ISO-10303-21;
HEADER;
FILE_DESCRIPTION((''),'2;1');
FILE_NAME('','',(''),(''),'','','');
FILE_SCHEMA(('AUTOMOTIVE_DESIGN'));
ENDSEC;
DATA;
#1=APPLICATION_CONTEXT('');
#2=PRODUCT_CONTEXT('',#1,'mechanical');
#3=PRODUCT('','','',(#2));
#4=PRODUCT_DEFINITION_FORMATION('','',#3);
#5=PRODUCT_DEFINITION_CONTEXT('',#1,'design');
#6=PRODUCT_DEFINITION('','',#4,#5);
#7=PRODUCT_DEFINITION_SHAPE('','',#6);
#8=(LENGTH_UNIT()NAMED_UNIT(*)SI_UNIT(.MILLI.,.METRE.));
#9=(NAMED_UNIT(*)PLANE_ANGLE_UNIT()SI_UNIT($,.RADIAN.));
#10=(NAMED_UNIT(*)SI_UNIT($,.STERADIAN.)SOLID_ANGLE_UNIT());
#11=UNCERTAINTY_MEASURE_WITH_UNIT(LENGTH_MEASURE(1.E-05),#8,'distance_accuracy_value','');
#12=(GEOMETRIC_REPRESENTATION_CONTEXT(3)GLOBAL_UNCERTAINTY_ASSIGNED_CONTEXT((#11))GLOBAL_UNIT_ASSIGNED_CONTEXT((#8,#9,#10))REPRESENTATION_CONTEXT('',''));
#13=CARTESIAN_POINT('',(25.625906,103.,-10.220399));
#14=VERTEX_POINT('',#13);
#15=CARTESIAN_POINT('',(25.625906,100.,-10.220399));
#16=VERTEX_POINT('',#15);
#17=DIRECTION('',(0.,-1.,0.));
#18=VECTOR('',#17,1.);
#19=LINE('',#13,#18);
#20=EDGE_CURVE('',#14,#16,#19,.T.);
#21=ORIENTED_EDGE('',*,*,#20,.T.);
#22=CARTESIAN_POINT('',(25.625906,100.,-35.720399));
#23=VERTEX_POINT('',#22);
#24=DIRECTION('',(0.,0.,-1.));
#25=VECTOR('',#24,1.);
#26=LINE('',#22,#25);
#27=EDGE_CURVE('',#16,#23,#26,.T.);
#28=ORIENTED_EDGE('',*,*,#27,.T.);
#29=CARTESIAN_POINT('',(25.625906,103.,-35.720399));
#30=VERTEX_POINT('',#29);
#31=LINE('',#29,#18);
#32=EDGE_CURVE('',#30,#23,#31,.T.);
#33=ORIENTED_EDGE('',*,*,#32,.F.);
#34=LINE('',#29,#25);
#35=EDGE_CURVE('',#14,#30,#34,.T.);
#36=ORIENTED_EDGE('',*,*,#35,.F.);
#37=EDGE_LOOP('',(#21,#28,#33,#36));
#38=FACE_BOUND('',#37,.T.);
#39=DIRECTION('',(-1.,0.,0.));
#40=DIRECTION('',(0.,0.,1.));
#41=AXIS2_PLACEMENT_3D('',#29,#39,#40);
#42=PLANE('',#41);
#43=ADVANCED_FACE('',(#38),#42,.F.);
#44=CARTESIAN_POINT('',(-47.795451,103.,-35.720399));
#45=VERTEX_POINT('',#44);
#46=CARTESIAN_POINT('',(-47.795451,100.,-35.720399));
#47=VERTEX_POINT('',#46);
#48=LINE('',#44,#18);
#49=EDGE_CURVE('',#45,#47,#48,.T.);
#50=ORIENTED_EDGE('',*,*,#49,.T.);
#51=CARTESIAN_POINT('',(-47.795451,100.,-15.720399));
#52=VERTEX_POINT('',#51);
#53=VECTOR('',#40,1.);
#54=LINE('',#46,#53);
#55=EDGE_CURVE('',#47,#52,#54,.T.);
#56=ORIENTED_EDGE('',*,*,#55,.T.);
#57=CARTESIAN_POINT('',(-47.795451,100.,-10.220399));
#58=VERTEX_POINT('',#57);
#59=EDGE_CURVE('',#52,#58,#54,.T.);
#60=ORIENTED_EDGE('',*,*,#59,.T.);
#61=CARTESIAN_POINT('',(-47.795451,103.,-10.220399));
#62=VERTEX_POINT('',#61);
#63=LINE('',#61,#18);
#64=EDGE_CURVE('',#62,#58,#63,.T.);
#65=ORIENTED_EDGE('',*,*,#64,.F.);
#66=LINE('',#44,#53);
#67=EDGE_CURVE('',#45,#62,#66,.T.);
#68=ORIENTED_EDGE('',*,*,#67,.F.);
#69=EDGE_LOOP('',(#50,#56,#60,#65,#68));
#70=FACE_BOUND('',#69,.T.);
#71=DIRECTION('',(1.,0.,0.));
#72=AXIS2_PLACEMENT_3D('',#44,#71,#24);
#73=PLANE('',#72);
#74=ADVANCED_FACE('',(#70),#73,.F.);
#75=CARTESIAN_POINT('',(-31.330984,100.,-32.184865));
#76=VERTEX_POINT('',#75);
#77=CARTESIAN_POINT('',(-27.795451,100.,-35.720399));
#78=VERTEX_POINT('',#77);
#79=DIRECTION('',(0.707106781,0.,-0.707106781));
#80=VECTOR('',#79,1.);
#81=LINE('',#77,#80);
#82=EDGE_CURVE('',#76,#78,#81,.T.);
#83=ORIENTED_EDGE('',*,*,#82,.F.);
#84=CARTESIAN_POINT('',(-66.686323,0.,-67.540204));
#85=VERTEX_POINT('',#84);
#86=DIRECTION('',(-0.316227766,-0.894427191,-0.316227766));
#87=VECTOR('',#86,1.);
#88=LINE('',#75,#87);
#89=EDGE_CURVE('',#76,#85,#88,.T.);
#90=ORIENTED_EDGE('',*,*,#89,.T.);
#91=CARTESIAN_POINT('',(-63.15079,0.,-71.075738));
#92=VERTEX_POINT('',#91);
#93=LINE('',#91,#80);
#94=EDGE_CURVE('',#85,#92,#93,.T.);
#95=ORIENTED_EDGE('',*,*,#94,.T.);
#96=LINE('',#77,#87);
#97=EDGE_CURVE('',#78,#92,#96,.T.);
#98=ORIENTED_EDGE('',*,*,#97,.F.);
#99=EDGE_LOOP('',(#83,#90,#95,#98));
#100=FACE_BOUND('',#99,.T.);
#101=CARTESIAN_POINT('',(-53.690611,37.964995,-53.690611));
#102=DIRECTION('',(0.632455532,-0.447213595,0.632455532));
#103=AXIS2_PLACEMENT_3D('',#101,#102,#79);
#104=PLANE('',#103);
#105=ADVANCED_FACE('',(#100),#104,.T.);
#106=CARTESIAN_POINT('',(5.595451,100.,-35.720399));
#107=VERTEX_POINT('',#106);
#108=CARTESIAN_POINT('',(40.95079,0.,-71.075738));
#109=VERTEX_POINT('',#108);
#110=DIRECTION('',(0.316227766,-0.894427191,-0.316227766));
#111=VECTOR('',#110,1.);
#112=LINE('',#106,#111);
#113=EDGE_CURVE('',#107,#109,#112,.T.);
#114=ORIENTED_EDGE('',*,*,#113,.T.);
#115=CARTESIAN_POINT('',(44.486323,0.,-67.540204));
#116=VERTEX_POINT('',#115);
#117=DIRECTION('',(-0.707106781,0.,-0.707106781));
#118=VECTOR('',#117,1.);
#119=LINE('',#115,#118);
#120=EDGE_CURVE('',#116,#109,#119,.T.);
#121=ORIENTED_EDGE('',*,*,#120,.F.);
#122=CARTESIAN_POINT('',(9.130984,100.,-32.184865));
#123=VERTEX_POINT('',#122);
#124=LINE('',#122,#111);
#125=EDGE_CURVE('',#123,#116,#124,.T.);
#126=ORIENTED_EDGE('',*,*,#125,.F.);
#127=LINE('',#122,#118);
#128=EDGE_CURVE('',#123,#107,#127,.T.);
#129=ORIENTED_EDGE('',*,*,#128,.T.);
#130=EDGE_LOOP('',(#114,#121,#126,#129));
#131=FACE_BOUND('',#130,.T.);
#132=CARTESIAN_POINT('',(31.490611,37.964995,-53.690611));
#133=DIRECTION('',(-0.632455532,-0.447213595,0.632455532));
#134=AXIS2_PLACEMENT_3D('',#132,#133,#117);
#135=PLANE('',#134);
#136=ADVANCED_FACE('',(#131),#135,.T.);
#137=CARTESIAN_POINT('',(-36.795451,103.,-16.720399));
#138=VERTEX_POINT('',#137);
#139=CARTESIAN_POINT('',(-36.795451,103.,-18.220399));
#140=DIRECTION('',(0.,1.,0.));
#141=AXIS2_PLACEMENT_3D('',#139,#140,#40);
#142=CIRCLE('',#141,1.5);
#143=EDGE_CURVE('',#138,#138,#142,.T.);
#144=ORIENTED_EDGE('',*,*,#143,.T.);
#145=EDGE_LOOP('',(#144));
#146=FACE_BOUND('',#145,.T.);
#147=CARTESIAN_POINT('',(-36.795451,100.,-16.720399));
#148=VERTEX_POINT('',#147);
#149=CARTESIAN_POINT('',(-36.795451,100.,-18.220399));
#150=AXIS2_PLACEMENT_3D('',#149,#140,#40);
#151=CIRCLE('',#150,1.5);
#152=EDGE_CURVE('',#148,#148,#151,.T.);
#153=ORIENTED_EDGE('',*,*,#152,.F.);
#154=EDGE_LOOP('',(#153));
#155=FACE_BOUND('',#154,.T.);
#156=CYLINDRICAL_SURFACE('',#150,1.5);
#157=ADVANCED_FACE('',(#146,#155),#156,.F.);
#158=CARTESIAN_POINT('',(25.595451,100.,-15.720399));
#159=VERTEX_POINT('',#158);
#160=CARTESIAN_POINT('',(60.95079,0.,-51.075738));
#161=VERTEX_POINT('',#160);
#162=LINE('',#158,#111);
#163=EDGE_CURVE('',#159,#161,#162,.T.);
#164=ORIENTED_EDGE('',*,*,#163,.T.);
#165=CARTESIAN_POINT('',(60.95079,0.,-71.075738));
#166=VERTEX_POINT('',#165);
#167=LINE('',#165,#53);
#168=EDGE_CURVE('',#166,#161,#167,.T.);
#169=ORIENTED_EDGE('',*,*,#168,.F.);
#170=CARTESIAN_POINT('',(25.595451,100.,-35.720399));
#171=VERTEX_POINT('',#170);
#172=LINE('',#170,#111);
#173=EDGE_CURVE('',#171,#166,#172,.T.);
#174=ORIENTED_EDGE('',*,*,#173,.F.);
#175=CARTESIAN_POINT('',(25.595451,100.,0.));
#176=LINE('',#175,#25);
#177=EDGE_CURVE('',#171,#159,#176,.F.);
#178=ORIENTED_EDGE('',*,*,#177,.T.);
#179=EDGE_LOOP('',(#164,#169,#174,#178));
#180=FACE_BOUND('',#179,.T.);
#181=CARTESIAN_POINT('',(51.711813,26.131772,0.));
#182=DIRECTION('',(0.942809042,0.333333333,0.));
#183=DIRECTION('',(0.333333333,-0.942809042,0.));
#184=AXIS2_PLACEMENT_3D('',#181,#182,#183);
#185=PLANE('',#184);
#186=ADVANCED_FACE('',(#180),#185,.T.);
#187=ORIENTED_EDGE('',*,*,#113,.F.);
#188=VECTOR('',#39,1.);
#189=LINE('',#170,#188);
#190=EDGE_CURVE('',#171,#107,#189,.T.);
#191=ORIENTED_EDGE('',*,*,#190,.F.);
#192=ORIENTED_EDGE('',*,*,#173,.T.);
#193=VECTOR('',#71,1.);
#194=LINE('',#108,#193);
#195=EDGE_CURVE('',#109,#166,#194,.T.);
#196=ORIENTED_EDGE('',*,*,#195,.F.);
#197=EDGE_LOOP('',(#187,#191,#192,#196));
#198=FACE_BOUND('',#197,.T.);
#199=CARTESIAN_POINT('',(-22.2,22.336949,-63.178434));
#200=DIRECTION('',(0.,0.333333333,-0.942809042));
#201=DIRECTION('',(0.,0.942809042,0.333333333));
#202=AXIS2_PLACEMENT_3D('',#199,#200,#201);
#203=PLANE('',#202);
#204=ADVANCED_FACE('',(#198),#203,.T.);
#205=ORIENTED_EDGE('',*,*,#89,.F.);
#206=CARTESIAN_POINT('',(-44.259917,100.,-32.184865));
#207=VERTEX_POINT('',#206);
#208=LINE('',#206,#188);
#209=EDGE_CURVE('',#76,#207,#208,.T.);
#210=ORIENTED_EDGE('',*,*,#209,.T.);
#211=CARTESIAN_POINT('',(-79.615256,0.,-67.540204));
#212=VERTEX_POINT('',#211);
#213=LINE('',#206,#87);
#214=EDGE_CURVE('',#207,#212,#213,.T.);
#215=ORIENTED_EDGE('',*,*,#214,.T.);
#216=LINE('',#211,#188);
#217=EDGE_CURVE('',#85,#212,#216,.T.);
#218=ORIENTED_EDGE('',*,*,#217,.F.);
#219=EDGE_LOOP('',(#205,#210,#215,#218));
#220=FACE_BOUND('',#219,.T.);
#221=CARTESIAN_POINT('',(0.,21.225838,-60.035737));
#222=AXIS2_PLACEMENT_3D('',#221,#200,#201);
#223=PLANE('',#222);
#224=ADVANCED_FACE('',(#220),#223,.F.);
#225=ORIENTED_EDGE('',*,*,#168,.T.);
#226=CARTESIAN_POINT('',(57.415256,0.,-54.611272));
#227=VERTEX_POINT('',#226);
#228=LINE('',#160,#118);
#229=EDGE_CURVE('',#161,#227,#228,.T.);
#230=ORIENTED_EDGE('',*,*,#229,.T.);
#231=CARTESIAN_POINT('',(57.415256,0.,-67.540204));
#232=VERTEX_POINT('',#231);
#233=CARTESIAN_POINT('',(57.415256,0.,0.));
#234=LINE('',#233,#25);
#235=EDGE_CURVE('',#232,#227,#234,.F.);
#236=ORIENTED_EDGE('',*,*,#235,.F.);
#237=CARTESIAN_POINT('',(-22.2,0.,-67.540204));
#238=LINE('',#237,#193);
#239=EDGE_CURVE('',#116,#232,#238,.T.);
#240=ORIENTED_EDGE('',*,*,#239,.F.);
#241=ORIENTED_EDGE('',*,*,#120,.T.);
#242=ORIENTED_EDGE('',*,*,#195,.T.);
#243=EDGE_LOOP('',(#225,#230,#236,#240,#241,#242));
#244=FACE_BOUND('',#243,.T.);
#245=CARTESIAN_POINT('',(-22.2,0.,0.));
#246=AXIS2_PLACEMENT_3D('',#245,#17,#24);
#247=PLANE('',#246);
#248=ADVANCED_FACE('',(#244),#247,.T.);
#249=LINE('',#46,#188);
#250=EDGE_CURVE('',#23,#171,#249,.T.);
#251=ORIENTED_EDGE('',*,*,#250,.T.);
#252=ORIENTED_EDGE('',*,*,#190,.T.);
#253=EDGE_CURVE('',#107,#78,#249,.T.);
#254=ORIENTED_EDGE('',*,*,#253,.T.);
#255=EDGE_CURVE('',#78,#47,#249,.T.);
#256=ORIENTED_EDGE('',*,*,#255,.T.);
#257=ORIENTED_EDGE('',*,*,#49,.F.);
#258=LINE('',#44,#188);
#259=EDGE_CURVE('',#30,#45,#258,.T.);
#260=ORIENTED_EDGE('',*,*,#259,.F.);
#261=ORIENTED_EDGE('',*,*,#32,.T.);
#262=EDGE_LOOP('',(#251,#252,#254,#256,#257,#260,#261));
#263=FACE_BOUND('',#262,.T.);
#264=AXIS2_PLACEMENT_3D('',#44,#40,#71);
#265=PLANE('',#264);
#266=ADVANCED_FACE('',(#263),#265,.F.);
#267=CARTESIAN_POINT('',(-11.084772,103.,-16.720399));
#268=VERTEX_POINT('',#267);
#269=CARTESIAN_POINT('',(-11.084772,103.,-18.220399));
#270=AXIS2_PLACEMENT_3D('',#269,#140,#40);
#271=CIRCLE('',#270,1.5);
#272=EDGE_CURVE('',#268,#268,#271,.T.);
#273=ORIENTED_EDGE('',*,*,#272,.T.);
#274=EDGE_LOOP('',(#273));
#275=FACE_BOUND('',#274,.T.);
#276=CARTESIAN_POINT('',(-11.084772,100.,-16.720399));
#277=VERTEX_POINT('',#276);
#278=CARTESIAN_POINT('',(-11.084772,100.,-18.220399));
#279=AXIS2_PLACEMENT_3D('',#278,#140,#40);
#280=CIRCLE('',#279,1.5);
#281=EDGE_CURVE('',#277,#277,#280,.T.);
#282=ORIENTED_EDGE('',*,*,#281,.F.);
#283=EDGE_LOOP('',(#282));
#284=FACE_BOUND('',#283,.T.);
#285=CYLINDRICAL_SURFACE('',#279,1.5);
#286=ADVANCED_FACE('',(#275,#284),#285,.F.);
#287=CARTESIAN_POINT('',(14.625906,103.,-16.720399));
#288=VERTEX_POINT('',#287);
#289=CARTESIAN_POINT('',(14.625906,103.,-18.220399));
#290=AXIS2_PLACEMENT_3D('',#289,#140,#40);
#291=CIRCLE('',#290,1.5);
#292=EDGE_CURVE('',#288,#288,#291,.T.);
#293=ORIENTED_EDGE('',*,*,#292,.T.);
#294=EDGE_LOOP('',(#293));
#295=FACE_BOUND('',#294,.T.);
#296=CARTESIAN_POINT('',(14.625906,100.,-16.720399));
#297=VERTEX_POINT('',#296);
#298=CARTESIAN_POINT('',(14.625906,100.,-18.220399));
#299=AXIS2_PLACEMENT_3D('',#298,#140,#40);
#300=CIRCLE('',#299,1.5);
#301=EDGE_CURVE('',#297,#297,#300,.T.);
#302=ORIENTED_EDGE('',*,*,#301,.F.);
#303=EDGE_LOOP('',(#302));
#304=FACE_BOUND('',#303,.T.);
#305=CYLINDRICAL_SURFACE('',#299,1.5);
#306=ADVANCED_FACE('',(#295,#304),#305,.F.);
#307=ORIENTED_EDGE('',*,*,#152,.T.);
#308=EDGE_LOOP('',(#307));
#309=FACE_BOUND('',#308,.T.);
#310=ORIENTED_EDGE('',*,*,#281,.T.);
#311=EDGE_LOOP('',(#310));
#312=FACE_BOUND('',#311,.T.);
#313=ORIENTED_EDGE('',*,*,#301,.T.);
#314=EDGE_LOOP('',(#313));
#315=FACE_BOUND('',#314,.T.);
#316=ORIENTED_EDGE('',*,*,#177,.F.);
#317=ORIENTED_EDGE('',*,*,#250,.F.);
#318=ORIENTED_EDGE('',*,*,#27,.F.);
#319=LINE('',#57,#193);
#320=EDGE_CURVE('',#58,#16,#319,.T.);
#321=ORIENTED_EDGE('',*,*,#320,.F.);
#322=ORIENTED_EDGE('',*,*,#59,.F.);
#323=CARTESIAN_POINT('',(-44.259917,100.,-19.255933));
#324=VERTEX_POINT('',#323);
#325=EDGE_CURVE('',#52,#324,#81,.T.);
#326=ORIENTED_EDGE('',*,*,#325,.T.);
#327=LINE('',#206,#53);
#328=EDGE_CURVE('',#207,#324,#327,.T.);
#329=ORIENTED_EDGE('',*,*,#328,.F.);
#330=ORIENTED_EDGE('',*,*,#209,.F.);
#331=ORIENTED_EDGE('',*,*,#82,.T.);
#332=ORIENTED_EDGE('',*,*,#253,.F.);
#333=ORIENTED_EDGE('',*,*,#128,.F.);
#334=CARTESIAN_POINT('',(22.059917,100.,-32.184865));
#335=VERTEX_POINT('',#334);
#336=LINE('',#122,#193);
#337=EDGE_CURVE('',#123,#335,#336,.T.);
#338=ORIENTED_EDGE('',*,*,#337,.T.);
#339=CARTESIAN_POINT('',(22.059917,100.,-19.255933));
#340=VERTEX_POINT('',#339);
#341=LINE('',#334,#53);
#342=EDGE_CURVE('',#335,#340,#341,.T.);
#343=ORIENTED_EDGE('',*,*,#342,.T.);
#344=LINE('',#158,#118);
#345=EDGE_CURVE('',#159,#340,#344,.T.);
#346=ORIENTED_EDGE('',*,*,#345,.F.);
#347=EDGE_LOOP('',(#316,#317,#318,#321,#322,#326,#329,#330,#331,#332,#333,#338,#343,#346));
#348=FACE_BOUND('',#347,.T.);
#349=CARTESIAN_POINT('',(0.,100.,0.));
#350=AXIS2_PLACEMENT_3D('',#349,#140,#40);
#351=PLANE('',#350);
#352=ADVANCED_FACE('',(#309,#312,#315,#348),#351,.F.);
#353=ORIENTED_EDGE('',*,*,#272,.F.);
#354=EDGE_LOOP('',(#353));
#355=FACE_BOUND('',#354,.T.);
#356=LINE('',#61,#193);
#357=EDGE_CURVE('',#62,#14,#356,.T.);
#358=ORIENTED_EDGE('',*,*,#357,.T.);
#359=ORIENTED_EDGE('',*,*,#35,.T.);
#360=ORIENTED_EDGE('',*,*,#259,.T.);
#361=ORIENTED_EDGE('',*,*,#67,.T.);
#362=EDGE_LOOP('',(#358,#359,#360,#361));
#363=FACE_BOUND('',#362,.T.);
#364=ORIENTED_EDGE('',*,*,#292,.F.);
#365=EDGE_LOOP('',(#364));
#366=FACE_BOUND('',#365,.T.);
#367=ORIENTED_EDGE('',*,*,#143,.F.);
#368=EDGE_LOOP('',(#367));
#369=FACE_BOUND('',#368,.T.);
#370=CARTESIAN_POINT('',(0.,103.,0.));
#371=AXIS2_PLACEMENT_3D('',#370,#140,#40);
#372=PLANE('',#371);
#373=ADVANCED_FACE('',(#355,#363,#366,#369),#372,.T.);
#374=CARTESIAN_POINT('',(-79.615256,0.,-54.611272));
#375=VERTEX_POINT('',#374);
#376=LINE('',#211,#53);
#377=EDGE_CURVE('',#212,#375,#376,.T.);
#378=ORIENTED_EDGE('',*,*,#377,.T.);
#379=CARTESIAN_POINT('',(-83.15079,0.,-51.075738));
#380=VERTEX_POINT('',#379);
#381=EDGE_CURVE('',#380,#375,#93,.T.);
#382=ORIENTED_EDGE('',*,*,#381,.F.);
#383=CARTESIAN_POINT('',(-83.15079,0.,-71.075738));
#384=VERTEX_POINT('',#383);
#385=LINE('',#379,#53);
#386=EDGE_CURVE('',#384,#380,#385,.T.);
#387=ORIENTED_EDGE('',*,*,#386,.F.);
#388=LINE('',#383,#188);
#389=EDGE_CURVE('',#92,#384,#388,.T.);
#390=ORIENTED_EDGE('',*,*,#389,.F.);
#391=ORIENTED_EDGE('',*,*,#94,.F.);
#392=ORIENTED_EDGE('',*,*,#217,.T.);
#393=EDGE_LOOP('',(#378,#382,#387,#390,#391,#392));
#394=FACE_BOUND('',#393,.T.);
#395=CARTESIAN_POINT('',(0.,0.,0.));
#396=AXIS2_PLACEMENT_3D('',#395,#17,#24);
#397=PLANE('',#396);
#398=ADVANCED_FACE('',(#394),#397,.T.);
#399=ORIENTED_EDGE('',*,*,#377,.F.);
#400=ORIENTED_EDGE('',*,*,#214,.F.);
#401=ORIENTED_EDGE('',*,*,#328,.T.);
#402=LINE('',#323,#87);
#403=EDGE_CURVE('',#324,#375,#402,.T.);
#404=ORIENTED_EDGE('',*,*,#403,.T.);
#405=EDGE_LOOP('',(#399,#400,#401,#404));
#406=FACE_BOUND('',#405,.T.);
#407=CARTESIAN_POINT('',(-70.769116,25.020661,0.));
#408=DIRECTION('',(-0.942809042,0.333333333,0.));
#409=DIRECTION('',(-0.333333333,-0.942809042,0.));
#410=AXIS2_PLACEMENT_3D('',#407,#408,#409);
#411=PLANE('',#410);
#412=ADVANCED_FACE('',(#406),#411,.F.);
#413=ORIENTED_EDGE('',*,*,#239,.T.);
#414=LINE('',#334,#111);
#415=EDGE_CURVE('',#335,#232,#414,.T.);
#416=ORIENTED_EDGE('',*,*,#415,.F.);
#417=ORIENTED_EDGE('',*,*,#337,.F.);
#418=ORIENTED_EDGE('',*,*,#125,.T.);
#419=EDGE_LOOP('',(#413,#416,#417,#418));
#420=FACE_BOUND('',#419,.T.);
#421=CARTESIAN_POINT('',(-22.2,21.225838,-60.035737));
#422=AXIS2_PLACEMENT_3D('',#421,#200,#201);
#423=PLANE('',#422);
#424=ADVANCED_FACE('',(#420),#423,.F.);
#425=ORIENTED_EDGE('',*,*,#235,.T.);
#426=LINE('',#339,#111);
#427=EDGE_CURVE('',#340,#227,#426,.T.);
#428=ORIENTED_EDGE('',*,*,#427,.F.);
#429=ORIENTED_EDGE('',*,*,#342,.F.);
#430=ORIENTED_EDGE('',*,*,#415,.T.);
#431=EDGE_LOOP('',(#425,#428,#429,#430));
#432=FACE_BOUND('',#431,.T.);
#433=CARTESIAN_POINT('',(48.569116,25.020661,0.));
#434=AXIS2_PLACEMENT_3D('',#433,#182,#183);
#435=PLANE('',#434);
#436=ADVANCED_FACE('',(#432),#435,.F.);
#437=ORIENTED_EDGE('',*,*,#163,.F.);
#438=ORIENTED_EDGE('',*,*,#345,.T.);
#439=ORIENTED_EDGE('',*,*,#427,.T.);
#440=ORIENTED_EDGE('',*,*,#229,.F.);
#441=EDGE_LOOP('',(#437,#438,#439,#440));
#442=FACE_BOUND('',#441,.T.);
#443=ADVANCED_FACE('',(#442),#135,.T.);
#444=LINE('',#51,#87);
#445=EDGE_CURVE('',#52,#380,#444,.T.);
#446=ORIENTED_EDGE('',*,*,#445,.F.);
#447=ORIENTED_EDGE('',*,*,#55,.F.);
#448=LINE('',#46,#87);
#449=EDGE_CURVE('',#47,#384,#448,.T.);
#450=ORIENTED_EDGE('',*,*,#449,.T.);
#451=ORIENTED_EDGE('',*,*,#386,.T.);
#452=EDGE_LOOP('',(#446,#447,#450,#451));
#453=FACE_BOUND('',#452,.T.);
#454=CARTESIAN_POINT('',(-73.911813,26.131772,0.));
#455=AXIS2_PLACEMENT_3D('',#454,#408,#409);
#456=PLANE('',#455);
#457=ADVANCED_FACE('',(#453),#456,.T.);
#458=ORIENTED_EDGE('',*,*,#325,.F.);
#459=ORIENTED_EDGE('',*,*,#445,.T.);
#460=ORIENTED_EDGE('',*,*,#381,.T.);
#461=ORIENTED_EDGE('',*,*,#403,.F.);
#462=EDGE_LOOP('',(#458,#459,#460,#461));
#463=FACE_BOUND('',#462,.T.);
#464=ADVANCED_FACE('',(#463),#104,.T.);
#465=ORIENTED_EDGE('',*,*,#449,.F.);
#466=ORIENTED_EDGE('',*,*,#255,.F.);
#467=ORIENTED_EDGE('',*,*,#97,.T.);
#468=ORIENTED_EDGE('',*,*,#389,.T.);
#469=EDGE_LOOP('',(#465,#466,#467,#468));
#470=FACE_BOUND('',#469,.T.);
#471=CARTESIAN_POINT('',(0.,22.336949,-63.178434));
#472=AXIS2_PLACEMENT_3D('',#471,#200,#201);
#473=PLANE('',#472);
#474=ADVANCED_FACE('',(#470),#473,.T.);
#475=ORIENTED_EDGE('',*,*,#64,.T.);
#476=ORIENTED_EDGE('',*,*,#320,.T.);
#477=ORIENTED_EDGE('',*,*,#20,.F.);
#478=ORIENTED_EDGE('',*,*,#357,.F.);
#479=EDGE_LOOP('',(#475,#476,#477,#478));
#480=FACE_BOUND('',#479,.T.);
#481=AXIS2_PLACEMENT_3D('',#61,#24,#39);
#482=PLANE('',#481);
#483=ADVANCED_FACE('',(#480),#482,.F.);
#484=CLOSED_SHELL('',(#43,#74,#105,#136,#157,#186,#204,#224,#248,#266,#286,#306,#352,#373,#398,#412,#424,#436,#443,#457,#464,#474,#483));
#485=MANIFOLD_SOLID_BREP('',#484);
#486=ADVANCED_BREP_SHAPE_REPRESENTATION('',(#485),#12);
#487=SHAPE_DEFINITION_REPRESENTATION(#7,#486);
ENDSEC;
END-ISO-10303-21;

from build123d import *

# Parameters (mm, degrees)
SKETCH_8_W          = 73.42135624
SKETCH_8_H          = 25.5
EXTRUDE_3_DEPTH     = 3
SKETCH_9_R          = 1.5
CUT_EXTRUDE_2_DEPTH = 3


with BuildPart() as part:
    # 草图8 → 凸台-拉伸3 (new body)
    with BuildSketch(Plane(origin=(0, 100, 0), x_dir=(1, 0, 0), z_dir=(0, 1, 0))):
        with Locations((-11.084772404, 22.970398927)):
            Rectangle(SKETCH_8_W, SKETCH_8_H)
    extrude(amount=EXTRUDE_3_DEPTH)

    # 草图9 → 切除-拉伸2 (cut)
    with BuildSketch(Plane(origin=(0, 103, 0), x_dir=(1, 0, 0), z_dir=(0, 1, 0))):
        with Locations(Location((-36.795450524, 18.220398927, 0), (0, 0, 270))):
            Circle(SKETCH_9_R)
        with Locations(Location((14.625905716, 18.220398927, 0), (0, 0, 270))):
            Circle(SKETCH_9_R)
        with Locations(Location((-11.084772404, 18.220398927, 0), (0, 0, 270))):
            Circle(SKETCH_9_R)
    extrude(amount=-CUT_EXTRUDE_2_DEPTH, mode=Mode.SUBTRACT)

    # 草图10 → 放样2 section 0
    with BuildSketch(Plane(origin=(0, 100, 0), x_dir=(1, 0, 0), z_dir=(0, 1, 0))):
        with BuildLine():
            Line((-47.795450524, 35.720398927), (-27.795450524, 35.720398927))
            Line((-27.795450524, 35.720398927), (-47.795450524, 15.720398927))
            Line((-47.795450524, 15.720398927), (-47.795450524, 35.720398927))
        make_face()
    # 草图11 → 放样2 section 1
    with BuildSketch(Plane(origin=(0, 0, 0), x_dir=(1, 0, 0), z_dir=(0, 1, 0))):
        with BuildLine():
            Line((-83.150789583, 71.075737986), (-63.150789583, 71.075737986))
            Line((-63.150789583, 71.075737986), (-83.150789583, 51.075737986))
            Line((-83.150789583, 51.075737986), (-83.150789583, 71.075737986))
        make_face()
    loft_2 = loft()

    # 草图12 → 切除-放样1 section 0
    with BuildSketch(Plane(origin=(0, 100, 0), x_dir=(1, 0, 0), z_dir=(0, 1, 0))):
        with BuildLine():
            Line((-31.33098443, 32.184865021), (-44.259916618, 19.255932833))
            Line((-44.259916618, 19.255932833), (-44.259916618, 32.184865021))
            Line((-44.259916618, 32.184865021), (-31.33098443, 32.184865021))
        make_face()
    # 草图13 → 切除-放样1 section 1
    with BuildSketch(Plane(origin=(0, 0, 0), x_dir=(1, 0, 0), z_dir=(0, 1, 0))):
        with BuildLine():
            Line((-66.686323489, 67.54020408), (-79.615255677, 54.611271892))
            Line((-79.615255677, 54.611271892), (-79.615255677, 67.54020408))
            Line((-79.615255677, 67.54020408), (-66.686323489, 67.54020408))
        make_face()
    loft_1 = loft(mode=Mode.SUBTRACT)

    # 镜向3: 放样2 across plane
    add(loft_2.mirror(Plane(origin=(-11.1, 0, 0), x_dir=(0, 0, 1), z_dir=(1, 0, 0))))

    # 镜向4: 切除-放样1 across plane
    add(loft_1.mirror(Plane(origin=(-11.1, 0, 0), x_dir=(0, 0, 1), z_dir=(1, 0, 0))), mode=Mode.SUBTRACT)


solid = part.part
